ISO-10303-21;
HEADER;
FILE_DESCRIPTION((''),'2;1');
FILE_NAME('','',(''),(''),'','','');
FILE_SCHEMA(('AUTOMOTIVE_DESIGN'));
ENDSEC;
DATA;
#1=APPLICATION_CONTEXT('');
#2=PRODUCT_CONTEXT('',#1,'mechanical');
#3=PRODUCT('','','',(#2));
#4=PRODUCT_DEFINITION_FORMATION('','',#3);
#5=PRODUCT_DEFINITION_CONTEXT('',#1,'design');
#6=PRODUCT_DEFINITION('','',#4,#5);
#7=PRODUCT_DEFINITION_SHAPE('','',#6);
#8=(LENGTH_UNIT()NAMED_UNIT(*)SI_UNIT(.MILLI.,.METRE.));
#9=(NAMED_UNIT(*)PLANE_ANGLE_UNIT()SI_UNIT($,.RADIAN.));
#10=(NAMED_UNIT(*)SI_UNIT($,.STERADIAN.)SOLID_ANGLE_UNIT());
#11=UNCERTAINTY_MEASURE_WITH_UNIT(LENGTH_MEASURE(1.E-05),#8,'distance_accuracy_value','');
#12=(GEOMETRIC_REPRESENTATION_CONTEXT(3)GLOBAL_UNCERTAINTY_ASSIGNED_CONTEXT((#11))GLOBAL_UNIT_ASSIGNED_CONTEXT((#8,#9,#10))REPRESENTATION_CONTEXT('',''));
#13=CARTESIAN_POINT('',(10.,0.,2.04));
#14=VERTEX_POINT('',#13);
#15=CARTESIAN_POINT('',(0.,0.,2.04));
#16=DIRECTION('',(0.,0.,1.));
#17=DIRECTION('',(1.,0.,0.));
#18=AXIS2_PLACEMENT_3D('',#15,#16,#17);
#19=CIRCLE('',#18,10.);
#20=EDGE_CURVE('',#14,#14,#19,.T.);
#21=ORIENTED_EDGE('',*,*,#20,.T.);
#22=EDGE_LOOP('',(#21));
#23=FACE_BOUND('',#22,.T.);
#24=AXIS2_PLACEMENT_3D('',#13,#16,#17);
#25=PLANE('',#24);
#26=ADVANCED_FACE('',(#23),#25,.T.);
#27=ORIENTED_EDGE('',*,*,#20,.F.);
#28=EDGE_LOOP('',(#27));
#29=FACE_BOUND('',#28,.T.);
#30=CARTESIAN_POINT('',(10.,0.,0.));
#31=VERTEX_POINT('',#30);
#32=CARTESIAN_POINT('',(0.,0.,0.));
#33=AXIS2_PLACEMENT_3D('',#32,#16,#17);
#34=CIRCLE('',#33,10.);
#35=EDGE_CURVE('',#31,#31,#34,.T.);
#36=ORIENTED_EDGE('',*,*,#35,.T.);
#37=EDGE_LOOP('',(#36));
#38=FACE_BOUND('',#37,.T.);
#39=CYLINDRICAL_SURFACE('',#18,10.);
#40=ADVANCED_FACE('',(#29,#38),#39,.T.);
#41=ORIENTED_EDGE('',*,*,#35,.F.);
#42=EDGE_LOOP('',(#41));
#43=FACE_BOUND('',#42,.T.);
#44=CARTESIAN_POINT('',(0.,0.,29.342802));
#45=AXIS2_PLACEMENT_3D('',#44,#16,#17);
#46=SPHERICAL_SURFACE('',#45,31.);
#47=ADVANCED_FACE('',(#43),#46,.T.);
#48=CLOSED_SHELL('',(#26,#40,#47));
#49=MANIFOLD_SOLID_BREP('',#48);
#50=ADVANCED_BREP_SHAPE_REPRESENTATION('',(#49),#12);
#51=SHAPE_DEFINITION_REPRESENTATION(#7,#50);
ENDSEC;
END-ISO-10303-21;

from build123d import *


with BuildPart() as part:
    # 草图1 → 旋转1 (revolve)
    with BuildSketch(Plane(origin=(0, 0, 0), x_dir=(1, 0, 0), z_dir=(0, 1, 0))):
        with BuildLine():
            Line((10, 0), (10, -2.04))
            Line((10, -2.04), (0, -2.04))
            Line((0, -2.04), (0, 1.657198498))
            ThreePointArc((0, 1.657198498), (5.068192648, 1.24009279), (10, 0))
        make_face()
    revolve(axis=Axis((0, 0, 2.04), (0, 0, -1)))


solid = part.part
